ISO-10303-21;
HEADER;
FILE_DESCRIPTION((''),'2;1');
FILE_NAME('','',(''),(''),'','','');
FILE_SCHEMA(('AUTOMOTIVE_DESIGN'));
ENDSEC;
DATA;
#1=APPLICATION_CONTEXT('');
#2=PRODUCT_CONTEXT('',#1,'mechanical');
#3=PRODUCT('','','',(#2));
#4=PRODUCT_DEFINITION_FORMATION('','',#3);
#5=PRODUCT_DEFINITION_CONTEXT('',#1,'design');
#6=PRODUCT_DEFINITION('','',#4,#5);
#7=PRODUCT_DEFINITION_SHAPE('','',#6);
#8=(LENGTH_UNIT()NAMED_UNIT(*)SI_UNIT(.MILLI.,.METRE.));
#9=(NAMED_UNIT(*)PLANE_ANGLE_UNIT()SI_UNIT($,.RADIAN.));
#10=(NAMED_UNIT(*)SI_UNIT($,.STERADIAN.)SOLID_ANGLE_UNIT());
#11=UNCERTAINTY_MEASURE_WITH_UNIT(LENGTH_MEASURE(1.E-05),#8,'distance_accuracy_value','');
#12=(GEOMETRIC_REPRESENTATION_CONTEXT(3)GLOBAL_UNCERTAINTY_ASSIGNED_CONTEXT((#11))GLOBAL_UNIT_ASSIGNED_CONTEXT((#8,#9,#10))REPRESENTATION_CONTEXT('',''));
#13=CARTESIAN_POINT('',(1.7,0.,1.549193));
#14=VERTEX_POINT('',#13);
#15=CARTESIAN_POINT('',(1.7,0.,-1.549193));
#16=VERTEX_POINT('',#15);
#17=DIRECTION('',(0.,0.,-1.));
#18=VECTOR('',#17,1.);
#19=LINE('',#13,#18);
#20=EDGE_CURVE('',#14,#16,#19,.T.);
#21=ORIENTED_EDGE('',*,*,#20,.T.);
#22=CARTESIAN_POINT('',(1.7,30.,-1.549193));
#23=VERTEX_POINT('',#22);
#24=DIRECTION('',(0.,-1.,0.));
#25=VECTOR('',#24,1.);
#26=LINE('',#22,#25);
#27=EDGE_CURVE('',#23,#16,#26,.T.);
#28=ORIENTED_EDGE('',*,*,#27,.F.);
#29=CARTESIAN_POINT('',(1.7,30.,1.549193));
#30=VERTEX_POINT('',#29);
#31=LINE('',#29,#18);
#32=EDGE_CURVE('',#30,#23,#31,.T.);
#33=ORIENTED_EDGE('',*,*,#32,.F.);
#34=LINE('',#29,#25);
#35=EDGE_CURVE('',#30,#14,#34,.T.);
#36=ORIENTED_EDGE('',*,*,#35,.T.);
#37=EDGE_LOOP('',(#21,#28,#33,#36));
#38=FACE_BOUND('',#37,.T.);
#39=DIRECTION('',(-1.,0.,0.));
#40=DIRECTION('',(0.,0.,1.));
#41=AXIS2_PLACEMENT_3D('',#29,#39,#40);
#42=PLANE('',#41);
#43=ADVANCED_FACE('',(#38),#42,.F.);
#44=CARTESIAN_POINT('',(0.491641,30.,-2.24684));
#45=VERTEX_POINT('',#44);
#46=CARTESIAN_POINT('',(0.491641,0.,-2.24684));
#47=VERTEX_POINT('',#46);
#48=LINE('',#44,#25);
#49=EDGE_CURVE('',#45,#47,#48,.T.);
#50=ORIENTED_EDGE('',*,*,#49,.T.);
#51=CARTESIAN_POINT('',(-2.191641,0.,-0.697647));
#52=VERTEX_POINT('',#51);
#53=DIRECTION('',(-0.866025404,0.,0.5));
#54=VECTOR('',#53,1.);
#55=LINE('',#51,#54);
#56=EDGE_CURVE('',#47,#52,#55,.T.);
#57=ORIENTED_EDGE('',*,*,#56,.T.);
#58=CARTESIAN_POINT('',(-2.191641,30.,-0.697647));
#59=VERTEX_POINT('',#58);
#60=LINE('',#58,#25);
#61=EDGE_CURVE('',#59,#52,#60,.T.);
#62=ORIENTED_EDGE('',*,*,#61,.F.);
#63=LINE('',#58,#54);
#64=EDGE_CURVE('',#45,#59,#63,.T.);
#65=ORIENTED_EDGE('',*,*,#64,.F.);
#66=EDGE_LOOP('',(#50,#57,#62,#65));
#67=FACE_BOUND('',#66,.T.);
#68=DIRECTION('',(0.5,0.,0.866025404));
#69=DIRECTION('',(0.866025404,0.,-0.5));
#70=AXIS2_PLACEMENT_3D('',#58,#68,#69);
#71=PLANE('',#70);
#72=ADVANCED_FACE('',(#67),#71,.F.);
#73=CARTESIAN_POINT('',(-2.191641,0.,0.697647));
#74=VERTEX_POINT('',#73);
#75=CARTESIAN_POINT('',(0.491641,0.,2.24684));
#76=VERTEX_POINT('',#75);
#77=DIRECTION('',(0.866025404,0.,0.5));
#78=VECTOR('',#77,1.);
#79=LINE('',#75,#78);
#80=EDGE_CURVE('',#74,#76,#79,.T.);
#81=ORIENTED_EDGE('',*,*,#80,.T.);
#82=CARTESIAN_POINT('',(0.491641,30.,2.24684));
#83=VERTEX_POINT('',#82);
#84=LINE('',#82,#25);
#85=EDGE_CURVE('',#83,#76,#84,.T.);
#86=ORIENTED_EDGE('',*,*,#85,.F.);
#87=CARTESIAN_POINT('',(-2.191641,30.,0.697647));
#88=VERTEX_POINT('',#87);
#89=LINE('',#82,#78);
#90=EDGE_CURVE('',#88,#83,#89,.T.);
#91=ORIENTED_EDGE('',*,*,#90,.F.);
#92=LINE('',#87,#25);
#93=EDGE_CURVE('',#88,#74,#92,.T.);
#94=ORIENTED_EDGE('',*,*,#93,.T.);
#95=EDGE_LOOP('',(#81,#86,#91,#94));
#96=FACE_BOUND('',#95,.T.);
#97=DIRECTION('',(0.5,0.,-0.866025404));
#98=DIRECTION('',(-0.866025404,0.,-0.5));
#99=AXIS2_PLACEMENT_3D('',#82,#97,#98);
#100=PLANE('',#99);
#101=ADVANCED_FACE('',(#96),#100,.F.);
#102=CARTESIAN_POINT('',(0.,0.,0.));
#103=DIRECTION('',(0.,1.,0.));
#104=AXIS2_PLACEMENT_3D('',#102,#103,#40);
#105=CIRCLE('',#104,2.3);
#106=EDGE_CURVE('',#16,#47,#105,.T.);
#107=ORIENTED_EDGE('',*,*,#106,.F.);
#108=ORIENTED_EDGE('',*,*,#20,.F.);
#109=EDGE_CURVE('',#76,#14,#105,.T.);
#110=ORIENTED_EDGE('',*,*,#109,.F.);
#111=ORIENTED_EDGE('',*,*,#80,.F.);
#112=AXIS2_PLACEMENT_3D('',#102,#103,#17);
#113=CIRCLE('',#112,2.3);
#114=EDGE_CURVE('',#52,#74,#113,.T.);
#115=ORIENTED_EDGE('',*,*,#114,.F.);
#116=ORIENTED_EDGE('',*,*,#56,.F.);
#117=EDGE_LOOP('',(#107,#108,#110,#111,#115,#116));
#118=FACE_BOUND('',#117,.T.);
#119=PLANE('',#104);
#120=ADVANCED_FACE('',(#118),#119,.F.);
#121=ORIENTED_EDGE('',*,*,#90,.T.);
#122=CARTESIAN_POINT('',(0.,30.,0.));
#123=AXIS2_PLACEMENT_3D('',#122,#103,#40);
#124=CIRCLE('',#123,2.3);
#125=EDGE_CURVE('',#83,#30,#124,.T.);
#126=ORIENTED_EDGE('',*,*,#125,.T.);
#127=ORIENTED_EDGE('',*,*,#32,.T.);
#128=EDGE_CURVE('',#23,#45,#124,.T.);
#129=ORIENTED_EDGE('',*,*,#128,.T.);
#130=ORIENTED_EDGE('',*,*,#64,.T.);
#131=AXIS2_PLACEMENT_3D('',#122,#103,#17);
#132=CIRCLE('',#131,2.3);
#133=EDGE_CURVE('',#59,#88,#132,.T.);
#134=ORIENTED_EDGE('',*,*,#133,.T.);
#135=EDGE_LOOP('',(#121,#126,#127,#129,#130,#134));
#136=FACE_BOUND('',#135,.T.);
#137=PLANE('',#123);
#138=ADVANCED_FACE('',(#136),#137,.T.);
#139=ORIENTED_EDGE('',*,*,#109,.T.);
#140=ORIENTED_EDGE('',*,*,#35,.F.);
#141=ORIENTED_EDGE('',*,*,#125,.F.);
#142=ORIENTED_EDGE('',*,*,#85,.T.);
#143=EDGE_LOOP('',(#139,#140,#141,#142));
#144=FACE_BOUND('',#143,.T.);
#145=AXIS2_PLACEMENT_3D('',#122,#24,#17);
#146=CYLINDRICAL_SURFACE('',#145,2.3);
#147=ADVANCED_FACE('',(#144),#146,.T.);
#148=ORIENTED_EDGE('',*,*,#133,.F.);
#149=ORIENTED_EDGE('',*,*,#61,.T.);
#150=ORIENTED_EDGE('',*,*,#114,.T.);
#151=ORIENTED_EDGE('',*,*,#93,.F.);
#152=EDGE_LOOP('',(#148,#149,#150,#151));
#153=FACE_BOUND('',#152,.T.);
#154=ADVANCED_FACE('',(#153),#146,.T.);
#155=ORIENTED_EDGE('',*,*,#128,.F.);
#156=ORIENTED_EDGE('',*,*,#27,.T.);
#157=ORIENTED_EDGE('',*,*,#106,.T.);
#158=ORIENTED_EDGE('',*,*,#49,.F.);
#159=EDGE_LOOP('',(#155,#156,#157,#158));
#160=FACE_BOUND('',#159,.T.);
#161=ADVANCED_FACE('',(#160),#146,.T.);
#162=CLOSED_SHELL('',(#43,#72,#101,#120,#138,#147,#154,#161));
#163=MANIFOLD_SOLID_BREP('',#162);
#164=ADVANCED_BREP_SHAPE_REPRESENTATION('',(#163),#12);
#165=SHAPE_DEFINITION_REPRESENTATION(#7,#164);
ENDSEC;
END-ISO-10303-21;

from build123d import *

# Parameters (mm, degrees)
RESSALTO_EXTRUS_O1_DEPTH = 30


with BuildPart() as part:
    # Esboço1 → Ressalto-extrusão1 (new body)
    with BuildSketch(Plane(origin=(0, 0, 0), x_dir=(1, 0, 0), z_dir=(0, 1, 0))):
        with BuildLine():
            Line((0.491640786, -2.246839856), (-2.191640786, -0.697646517))
            ThreePointArc((-2.191640786, -0.697646517), (-2.3, 0), (-2.191640786, 0.697646517))
            Line((-2.191640786, 0.697646517), (0.491640786, 2.246839856))
            ThreePointArc((0.491640786, 2.246839856), (1.15, 1.991858429), (1.7, 1.549193338))
            Line((1.7, 1.549193338), (1.7, -1.549193338))
            ThreePointArc((1.7, -1.549193338), (1.15, -1.991858429), (0.491640786, -2.246839856))
        make_face()
    extrude(amount=RESSALTO_EXTRUS_O1_DEPTH)


solid = part.part
